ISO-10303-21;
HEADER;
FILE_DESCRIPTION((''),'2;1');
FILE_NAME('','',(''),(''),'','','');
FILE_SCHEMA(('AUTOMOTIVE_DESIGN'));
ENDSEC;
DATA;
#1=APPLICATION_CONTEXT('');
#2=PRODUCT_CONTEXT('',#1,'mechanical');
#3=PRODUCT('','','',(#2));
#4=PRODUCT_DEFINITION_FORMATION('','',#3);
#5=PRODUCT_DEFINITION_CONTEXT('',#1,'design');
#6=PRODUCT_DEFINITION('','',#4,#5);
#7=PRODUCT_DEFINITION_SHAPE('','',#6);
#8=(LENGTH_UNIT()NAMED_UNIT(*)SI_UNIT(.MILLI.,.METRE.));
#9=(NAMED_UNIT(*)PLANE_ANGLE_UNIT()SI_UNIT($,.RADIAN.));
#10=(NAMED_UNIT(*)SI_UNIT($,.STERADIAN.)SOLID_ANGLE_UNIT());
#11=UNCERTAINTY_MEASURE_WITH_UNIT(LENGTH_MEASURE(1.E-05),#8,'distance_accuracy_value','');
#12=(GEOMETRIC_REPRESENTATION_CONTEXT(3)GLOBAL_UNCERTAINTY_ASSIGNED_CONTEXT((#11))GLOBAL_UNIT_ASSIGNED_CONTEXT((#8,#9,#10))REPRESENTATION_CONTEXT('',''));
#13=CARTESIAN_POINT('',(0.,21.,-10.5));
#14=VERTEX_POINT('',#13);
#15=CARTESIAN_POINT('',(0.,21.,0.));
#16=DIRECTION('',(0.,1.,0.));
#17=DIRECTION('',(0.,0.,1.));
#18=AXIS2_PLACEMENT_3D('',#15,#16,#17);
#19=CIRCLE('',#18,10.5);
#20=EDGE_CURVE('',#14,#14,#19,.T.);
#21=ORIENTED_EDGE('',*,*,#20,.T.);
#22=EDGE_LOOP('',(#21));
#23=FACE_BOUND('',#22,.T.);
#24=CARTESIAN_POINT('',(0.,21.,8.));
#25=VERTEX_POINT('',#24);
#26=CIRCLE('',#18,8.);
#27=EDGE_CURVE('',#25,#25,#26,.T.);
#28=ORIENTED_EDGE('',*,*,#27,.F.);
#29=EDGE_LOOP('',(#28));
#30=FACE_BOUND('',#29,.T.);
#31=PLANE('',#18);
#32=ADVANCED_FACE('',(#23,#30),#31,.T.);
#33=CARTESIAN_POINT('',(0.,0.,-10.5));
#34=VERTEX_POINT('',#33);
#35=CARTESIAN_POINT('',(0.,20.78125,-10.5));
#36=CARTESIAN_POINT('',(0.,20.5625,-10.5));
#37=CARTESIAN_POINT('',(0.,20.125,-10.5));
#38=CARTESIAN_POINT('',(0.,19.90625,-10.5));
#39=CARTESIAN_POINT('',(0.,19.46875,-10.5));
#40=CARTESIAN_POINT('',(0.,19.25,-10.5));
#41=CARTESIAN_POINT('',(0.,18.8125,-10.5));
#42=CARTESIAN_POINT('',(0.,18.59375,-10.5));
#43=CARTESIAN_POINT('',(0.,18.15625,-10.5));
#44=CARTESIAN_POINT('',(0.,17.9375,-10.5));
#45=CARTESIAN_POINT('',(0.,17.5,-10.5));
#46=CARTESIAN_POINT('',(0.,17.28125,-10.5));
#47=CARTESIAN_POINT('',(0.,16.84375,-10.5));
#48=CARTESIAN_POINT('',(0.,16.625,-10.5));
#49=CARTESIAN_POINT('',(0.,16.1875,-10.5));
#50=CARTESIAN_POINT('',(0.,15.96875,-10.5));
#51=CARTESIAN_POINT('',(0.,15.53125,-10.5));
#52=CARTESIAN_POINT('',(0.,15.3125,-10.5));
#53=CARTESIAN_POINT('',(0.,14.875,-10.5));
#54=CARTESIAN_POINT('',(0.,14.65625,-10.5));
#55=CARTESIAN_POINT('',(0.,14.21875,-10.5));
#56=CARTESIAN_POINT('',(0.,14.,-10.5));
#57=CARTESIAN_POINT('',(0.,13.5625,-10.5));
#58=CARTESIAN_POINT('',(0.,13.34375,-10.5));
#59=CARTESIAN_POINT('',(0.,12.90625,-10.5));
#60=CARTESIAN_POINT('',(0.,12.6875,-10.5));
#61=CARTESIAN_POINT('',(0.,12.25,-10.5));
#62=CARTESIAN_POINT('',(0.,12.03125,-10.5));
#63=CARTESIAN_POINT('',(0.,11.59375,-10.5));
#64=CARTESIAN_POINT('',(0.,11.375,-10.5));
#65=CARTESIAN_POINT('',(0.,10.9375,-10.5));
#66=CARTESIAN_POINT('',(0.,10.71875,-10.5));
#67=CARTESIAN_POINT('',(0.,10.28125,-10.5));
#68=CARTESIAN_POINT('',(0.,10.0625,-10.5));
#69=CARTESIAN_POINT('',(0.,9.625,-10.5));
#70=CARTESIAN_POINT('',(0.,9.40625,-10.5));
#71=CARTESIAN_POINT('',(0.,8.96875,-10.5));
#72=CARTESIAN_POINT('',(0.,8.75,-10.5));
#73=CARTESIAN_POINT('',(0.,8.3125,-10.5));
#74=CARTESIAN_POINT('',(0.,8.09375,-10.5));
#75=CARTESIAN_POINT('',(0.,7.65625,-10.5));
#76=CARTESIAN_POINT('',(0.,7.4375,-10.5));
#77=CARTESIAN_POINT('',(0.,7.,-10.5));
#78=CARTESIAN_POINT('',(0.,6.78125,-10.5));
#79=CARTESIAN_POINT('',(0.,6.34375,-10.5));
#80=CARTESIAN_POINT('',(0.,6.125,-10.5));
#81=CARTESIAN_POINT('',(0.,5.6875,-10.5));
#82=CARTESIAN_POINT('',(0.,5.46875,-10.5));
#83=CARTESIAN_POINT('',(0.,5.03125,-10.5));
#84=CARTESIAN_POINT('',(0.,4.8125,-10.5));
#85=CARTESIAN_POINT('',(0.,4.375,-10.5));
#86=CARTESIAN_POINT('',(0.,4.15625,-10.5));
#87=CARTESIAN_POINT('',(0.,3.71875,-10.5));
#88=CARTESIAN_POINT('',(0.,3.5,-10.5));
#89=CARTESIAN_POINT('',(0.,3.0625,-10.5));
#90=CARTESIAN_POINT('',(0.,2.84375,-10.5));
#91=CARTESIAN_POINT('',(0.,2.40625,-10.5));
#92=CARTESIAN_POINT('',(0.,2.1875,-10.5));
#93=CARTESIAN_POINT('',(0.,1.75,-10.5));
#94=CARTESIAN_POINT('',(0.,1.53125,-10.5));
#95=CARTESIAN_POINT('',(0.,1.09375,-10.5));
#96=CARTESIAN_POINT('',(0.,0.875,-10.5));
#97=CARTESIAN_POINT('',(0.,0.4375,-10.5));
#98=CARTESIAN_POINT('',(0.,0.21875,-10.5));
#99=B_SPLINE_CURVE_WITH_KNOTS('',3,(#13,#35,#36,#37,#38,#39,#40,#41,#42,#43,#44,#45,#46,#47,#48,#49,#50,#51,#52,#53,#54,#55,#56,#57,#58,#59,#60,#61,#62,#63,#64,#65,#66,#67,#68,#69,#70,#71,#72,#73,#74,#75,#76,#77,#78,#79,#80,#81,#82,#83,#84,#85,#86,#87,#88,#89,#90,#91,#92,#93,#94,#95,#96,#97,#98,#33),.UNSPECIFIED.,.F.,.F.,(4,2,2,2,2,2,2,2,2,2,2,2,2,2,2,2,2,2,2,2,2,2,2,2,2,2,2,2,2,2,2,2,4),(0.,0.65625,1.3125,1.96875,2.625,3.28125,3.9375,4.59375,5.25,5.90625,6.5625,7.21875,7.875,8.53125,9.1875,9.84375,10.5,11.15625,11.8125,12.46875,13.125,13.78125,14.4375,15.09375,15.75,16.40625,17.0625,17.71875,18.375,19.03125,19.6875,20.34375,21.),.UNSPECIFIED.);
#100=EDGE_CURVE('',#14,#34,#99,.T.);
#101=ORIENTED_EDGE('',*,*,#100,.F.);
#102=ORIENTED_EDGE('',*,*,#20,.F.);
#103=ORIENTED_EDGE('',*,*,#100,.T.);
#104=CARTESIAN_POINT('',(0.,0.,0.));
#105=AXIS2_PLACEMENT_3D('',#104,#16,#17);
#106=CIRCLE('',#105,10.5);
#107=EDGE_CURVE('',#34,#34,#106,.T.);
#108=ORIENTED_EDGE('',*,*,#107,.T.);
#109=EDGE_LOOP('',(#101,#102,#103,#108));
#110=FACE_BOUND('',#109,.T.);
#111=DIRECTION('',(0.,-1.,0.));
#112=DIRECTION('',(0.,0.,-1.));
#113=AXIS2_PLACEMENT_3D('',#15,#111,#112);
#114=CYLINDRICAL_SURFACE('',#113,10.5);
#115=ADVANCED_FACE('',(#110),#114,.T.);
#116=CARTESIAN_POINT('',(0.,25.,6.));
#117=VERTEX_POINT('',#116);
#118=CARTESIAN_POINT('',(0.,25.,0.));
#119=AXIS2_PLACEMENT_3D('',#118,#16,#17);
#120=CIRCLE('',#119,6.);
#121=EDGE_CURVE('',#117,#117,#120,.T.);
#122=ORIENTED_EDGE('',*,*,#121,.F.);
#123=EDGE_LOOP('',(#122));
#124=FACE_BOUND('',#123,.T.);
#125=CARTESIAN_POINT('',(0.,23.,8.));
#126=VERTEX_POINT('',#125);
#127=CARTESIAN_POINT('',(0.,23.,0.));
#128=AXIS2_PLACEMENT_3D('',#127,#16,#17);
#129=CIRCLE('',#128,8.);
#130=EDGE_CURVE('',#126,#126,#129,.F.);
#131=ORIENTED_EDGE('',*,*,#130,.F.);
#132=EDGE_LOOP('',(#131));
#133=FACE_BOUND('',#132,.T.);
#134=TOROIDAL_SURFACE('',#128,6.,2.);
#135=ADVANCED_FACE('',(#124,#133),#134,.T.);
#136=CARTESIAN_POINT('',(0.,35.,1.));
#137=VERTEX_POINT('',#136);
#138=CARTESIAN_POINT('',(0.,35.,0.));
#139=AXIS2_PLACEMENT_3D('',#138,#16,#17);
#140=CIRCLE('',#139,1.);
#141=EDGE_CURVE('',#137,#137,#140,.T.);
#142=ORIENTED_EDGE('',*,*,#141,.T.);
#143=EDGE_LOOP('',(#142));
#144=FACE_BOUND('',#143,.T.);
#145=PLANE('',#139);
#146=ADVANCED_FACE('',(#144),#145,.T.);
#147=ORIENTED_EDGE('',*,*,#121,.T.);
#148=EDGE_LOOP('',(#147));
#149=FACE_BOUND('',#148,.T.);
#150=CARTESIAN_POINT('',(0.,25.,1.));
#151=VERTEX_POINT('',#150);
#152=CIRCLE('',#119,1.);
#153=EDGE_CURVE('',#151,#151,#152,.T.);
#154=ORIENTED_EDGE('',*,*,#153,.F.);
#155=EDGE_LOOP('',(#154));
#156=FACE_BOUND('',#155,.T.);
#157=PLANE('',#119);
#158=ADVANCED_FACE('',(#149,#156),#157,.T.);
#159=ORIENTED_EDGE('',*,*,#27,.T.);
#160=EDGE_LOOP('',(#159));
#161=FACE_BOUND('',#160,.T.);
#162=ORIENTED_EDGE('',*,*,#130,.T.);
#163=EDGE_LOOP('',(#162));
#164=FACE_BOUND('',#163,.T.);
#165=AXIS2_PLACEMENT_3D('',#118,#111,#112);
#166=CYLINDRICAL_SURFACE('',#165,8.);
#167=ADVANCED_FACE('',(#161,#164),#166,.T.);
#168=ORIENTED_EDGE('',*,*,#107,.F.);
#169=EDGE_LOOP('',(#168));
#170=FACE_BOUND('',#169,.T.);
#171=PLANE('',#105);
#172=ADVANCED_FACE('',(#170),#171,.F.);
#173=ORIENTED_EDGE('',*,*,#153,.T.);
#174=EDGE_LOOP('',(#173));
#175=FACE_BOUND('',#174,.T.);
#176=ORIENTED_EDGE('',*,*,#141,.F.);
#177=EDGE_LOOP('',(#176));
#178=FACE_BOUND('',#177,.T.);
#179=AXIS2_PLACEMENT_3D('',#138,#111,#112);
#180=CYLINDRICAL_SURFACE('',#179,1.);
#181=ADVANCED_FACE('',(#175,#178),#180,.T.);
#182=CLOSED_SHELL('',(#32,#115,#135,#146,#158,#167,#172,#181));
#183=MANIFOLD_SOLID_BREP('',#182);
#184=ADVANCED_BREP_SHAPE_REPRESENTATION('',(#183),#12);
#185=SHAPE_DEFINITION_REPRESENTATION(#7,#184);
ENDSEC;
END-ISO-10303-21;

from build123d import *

# Parameters (mm, degrees)
SKETCH_1_R      = 10.5
EXTRUDE_1_DEPTH = 21
SKETCH_2_R      = 8
EXTRUDE_2_DEPTH = 4
FILLET_1_R      = 2
SKETCH_3_R      = 1
EXTRUDE_3_DEPTH = 10


with BuildPart() as part:
    # 草圖1 → 填料-伸長1 (new body)
    with BuildSketch(Plane(origin=(0, 0, 0), x_dir=(1, 0, 0), z_dir=(0, 1, 0))):
        with Locations(Location((0, 0, 0), (0, 0, 90))):
            Circle(SKETCH_1_R)
    extrude(amount=EXTRUDE_1_DEPTH)

    # 草圖2 → 填料-伸長2 (add)
    with BuildSketch(Plane(origin=(0, 21, 0), x_dir=(1, 0, 0), z_dir=(0, 1, 0))):
        with Locations(Location((0, 0, 0), (0, 0, 270))):
            Circle(SKETCH_2_R)
    extrude(amount=EXTRUDE_2_DEPTH)

    # 圓角1
    fillet_1_edges = [part.edges().sort_by_distance(p)[0] for p in [
        (0, 25, -8),
    ]]
    fillet(fillet_1_edges, radius=FILLET_1_R)

    # 草圖3 → 填料-伸長3 (add)
    with BuildSketch(Plane(origin=(0, 25, 0), x_dir=(1, 0, 0), z_dir=(0, 1, 0))):
        with Locations(Location((0, 0, 0), (0, 0, 270))):
            Circle(SKETCH_3_R)
    extrude(amount=EXTRUDE_3_DEPTH)


solid = part.part
